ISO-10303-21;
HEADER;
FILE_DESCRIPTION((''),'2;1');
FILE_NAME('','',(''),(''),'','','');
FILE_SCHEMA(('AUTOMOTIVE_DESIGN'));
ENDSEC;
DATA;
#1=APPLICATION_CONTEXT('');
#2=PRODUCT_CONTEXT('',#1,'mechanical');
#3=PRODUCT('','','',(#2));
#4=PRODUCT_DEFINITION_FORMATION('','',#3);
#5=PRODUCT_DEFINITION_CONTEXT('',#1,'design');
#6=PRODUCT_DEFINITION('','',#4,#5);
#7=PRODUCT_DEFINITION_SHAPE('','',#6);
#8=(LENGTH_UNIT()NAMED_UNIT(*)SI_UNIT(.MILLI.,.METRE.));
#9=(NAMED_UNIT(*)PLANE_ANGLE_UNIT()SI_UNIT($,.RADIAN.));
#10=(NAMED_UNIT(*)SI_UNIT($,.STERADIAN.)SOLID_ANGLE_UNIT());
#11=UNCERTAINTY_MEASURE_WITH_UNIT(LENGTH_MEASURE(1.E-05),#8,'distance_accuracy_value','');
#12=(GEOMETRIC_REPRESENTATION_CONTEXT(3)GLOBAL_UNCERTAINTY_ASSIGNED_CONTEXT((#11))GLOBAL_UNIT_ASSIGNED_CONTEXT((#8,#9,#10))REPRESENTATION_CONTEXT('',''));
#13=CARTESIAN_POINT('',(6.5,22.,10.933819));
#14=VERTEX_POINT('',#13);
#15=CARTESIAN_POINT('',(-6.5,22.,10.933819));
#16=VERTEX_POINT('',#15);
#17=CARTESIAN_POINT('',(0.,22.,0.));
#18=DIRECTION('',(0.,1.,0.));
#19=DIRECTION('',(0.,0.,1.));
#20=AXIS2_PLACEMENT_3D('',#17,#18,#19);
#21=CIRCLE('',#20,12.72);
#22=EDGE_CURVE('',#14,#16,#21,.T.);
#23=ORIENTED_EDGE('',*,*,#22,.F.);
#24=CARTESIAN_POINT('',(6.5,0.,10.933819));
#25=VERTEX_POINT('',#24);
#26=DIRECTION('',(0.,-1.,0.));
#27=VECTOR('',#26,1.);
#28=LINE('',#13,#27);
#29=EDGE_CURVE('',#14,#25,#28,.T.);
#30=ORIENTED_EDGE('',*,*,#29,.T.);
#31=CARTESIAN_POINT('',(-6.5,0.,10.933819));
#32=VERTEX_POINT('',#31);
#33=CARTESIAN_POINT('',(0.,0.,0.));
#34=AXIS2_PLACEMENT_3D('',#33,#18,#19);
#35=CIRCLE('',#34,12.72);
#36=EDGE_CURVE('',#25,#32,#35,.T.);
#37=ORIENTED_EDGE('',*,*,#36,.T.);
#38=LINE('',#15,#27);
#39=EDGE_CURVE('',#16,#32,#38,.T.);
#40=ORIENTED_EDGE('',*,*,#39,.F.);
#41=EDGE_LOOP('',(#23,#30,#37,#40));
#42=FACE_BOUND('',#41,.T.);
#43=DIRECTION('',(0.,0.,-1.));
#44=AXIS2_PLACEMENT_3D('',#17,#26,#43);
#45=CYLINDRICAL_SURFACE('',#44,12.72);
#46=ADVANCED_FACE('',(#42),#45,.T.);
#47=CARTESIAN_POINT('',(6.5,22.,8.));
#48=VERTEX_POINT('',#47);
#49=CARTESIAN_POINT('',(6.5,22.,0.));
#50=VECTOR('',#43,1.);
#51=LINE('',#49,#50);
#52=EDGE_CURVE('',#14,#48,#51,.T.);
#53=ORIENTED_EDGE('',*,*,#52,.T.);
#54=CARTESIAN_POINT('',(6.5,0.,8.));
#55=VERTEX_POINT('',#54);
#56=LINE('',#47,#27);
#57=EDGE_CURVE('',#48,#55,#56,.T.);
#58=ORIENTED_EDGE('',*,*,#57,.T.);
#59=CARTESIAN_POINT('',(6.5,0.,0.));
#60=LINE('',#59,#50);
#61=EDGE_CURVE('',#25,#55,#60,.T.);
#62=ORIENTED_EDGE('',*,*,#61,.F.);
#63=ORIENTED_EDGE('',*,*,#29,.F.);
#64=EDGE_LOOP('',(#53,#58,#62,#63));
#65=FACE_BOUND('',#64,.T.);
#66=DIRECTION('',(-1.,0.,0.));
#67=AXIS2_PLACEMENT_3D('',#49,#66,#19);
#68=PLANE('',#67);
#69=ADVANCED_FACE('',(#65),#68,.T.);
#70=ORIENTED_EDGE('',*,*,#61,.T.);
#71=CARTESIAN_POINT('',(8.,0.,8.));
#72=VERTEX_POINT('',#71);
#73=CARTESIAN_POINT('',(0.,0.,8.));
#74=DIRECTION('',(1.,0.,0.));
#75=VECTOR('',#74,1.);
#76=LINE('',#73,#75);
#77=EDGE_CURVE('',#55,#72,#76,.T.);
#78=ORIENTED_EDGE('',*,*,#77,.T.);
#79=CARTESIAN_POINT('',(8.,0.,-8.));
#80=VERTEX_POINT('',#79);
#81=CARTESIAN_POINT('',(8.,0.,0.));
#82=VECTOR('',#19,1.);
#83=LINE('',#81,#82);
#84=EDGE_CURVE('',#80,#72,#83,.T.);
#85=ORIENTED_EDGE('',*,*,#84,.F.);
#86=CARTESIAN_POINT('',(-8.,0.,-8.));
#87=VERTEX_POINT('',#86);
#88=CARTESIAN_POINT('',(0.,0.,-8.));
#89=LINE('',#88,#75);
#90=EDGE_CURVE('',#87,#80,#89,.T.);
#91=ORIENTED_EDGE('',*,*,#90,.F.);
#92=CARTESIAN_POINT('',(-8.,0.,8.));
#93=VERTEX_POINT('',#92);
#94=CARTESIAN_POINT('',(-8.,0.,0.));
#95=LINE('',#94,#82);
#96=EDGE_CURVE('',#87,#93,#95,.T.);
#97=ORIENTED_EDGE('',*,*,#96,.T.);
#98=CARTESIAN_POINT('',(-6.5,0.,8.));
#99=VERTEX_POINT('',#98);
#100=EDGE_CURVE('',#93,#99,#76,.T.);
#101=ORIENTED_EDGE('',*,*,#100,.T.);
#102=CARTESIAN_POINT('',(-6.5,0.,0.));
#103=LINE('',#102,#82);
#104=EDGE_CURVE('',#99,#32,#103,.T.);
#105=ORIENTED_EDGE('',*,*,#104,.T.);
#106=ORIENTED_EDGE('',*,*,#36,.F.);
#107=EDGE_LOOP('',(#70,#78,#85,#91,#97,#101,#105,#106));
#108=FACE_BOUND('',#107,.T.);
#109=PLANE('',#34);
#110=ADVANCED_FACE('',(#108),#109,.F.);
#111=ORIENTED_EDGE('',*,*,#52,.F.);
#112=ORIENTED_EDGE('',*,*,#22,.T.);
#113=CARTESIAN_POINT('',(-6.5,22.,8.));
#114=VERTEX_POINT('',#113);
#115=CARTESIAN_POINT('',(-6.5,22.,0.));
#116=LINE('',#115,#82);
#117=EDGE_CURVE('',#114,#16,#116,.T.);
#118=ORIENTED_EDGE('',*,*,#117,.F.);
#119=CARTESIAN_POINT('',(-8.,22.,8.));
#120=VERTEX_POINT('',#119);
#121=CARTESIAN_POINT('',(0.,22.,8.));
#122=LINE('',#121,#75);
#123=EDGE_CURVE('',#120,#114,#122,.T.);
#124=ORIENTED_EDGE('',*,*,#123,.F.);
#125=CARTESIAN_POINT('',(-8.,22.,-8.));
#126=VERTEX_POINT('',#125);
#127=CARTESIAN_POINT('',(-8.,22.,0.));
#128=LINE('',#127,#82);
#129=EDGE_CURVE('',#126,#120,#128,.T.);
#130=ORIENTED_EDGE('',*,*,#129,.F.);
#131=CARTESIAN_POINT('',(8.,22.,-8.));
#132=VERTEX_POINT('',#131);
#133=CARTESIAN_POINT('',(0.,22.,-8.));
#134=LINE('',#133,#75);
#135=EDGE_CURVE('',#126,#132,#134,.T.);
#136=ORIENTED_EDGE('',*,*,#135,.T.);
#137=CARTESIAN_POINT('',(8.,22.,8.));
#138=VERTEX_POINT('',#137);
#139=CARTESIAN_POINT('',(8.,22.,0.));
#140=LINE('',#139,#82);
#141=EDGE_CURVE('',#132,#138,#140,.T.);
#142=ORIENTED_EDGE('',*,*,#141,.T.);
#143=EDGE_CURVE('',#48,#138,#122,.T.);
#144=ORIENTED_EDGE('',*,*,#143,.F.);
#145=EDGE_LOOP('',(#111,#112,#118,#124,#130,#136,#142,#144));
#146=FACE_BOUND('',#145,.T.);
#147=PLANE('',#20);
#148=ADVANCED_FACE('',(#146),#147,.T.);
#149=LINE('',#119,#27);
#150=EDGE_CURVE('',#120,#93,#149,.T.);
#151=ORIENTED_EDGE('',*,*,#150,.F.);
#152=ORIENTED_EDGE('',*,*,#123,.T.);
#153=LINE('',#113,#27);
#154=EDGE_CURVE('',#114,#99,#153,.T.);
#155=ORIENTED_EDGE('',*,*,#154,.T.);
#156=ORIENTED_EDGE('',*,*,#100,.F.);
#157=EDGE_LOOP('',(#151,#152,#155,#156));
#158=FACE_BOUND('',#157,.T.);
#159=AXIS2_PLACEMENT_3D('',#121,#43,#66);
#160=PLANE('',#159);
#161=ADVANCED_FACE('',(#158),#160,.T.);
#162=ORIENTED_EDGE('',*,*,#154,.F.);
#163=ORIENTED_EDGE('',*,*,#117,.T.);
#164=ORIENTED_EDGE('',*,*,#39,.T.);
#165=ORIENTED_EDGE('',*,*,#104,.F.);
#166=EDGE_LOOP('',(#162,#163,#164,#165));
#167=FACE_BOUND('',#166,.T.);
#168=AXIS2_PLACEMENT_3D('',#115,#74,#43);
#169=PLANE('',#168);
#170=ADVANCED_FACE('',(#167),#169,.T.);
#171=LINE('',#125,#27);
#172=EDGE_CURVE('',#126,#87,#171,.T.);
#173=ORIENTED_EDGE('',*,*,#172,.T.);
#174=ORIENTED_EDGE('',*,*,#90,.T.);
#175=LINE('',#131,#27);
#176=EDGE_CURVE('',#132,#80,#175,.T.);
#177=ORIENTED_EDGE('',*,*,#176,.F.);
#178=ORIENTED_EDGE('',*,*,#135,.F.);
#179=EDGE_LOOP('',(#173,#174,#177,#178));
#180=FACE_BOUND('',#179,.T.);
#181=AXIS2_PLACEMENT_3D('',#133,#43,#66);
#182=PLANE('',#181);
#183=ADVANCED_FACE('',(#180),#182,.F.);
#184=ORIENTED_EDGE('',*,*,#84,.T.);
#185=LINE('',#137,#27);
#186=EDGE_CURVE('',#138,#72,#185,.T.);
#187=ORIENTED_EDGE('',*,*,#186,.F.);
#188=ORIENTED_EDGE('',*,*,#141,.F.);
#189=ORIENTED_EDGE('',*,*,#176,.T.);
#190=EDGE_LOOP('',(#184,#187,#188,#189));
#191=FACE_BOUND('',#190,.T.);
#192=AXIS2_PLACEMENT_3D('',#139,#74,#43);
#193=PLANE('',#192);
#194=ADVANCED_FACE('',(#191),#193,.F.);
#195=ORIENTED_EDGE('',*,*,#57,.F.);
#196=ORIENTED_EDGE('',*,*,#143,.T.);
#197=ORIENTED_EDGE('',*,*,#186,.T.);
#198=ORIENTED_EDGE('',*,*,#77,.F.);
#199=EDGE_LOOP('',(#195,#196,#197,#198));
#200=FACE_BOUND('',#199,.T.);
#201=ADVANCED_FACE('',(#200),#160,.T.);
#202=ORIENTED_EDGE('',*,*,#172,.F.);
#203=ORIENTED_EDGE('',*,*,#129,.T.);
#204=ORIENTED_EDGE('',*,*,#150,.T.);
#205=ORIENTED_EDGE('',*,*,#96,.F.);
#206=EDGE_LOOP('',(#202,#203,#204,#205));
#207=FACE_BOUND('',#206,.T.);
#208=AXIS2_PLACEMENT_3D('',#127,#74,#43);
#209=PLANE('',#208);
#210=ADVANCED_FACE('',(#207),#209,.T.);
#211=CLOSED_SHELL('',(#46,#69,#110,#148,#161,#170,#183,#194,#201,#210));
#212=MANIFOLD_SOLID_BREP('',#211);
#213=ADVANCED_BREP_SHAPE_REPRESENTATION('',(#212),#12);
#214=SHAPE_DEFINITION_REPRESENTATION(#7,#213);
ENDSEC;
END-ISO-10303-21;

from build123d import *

# Parameters (mm, degrees)
BOSS_EXTRUDE3_DEPTH = 22


with BuildPart() as part:
    # Sketch2 → Boss-Extrude3 (new body)
    with BuildSketch(Plane(origin=(0, 0, 0), x_dir=(1, 0, 0), z_dir=(0, 1, 0))):
        with BuildLine():
            Line((-6.5, -8), (-8, -8))
            Line((-8, -8), (-8, 8))
            Line((-8, 8), (8, 8))
            Line((8, 8), (8, -8))
            Line((8, -8), (6.5, -8))
            Line((6.5, -8), (6.5, -10.933819095))
            ThreePointArc((6.5, -10.933819095), (0, 12.72), (-6.5, -10.933819095))
            Line((-6.5, -10.933819095), (-6.5, -8))
        make_face()
    extrude(amount=BOSS_EXTRUDE3_DEPTH)


solid = part.part
